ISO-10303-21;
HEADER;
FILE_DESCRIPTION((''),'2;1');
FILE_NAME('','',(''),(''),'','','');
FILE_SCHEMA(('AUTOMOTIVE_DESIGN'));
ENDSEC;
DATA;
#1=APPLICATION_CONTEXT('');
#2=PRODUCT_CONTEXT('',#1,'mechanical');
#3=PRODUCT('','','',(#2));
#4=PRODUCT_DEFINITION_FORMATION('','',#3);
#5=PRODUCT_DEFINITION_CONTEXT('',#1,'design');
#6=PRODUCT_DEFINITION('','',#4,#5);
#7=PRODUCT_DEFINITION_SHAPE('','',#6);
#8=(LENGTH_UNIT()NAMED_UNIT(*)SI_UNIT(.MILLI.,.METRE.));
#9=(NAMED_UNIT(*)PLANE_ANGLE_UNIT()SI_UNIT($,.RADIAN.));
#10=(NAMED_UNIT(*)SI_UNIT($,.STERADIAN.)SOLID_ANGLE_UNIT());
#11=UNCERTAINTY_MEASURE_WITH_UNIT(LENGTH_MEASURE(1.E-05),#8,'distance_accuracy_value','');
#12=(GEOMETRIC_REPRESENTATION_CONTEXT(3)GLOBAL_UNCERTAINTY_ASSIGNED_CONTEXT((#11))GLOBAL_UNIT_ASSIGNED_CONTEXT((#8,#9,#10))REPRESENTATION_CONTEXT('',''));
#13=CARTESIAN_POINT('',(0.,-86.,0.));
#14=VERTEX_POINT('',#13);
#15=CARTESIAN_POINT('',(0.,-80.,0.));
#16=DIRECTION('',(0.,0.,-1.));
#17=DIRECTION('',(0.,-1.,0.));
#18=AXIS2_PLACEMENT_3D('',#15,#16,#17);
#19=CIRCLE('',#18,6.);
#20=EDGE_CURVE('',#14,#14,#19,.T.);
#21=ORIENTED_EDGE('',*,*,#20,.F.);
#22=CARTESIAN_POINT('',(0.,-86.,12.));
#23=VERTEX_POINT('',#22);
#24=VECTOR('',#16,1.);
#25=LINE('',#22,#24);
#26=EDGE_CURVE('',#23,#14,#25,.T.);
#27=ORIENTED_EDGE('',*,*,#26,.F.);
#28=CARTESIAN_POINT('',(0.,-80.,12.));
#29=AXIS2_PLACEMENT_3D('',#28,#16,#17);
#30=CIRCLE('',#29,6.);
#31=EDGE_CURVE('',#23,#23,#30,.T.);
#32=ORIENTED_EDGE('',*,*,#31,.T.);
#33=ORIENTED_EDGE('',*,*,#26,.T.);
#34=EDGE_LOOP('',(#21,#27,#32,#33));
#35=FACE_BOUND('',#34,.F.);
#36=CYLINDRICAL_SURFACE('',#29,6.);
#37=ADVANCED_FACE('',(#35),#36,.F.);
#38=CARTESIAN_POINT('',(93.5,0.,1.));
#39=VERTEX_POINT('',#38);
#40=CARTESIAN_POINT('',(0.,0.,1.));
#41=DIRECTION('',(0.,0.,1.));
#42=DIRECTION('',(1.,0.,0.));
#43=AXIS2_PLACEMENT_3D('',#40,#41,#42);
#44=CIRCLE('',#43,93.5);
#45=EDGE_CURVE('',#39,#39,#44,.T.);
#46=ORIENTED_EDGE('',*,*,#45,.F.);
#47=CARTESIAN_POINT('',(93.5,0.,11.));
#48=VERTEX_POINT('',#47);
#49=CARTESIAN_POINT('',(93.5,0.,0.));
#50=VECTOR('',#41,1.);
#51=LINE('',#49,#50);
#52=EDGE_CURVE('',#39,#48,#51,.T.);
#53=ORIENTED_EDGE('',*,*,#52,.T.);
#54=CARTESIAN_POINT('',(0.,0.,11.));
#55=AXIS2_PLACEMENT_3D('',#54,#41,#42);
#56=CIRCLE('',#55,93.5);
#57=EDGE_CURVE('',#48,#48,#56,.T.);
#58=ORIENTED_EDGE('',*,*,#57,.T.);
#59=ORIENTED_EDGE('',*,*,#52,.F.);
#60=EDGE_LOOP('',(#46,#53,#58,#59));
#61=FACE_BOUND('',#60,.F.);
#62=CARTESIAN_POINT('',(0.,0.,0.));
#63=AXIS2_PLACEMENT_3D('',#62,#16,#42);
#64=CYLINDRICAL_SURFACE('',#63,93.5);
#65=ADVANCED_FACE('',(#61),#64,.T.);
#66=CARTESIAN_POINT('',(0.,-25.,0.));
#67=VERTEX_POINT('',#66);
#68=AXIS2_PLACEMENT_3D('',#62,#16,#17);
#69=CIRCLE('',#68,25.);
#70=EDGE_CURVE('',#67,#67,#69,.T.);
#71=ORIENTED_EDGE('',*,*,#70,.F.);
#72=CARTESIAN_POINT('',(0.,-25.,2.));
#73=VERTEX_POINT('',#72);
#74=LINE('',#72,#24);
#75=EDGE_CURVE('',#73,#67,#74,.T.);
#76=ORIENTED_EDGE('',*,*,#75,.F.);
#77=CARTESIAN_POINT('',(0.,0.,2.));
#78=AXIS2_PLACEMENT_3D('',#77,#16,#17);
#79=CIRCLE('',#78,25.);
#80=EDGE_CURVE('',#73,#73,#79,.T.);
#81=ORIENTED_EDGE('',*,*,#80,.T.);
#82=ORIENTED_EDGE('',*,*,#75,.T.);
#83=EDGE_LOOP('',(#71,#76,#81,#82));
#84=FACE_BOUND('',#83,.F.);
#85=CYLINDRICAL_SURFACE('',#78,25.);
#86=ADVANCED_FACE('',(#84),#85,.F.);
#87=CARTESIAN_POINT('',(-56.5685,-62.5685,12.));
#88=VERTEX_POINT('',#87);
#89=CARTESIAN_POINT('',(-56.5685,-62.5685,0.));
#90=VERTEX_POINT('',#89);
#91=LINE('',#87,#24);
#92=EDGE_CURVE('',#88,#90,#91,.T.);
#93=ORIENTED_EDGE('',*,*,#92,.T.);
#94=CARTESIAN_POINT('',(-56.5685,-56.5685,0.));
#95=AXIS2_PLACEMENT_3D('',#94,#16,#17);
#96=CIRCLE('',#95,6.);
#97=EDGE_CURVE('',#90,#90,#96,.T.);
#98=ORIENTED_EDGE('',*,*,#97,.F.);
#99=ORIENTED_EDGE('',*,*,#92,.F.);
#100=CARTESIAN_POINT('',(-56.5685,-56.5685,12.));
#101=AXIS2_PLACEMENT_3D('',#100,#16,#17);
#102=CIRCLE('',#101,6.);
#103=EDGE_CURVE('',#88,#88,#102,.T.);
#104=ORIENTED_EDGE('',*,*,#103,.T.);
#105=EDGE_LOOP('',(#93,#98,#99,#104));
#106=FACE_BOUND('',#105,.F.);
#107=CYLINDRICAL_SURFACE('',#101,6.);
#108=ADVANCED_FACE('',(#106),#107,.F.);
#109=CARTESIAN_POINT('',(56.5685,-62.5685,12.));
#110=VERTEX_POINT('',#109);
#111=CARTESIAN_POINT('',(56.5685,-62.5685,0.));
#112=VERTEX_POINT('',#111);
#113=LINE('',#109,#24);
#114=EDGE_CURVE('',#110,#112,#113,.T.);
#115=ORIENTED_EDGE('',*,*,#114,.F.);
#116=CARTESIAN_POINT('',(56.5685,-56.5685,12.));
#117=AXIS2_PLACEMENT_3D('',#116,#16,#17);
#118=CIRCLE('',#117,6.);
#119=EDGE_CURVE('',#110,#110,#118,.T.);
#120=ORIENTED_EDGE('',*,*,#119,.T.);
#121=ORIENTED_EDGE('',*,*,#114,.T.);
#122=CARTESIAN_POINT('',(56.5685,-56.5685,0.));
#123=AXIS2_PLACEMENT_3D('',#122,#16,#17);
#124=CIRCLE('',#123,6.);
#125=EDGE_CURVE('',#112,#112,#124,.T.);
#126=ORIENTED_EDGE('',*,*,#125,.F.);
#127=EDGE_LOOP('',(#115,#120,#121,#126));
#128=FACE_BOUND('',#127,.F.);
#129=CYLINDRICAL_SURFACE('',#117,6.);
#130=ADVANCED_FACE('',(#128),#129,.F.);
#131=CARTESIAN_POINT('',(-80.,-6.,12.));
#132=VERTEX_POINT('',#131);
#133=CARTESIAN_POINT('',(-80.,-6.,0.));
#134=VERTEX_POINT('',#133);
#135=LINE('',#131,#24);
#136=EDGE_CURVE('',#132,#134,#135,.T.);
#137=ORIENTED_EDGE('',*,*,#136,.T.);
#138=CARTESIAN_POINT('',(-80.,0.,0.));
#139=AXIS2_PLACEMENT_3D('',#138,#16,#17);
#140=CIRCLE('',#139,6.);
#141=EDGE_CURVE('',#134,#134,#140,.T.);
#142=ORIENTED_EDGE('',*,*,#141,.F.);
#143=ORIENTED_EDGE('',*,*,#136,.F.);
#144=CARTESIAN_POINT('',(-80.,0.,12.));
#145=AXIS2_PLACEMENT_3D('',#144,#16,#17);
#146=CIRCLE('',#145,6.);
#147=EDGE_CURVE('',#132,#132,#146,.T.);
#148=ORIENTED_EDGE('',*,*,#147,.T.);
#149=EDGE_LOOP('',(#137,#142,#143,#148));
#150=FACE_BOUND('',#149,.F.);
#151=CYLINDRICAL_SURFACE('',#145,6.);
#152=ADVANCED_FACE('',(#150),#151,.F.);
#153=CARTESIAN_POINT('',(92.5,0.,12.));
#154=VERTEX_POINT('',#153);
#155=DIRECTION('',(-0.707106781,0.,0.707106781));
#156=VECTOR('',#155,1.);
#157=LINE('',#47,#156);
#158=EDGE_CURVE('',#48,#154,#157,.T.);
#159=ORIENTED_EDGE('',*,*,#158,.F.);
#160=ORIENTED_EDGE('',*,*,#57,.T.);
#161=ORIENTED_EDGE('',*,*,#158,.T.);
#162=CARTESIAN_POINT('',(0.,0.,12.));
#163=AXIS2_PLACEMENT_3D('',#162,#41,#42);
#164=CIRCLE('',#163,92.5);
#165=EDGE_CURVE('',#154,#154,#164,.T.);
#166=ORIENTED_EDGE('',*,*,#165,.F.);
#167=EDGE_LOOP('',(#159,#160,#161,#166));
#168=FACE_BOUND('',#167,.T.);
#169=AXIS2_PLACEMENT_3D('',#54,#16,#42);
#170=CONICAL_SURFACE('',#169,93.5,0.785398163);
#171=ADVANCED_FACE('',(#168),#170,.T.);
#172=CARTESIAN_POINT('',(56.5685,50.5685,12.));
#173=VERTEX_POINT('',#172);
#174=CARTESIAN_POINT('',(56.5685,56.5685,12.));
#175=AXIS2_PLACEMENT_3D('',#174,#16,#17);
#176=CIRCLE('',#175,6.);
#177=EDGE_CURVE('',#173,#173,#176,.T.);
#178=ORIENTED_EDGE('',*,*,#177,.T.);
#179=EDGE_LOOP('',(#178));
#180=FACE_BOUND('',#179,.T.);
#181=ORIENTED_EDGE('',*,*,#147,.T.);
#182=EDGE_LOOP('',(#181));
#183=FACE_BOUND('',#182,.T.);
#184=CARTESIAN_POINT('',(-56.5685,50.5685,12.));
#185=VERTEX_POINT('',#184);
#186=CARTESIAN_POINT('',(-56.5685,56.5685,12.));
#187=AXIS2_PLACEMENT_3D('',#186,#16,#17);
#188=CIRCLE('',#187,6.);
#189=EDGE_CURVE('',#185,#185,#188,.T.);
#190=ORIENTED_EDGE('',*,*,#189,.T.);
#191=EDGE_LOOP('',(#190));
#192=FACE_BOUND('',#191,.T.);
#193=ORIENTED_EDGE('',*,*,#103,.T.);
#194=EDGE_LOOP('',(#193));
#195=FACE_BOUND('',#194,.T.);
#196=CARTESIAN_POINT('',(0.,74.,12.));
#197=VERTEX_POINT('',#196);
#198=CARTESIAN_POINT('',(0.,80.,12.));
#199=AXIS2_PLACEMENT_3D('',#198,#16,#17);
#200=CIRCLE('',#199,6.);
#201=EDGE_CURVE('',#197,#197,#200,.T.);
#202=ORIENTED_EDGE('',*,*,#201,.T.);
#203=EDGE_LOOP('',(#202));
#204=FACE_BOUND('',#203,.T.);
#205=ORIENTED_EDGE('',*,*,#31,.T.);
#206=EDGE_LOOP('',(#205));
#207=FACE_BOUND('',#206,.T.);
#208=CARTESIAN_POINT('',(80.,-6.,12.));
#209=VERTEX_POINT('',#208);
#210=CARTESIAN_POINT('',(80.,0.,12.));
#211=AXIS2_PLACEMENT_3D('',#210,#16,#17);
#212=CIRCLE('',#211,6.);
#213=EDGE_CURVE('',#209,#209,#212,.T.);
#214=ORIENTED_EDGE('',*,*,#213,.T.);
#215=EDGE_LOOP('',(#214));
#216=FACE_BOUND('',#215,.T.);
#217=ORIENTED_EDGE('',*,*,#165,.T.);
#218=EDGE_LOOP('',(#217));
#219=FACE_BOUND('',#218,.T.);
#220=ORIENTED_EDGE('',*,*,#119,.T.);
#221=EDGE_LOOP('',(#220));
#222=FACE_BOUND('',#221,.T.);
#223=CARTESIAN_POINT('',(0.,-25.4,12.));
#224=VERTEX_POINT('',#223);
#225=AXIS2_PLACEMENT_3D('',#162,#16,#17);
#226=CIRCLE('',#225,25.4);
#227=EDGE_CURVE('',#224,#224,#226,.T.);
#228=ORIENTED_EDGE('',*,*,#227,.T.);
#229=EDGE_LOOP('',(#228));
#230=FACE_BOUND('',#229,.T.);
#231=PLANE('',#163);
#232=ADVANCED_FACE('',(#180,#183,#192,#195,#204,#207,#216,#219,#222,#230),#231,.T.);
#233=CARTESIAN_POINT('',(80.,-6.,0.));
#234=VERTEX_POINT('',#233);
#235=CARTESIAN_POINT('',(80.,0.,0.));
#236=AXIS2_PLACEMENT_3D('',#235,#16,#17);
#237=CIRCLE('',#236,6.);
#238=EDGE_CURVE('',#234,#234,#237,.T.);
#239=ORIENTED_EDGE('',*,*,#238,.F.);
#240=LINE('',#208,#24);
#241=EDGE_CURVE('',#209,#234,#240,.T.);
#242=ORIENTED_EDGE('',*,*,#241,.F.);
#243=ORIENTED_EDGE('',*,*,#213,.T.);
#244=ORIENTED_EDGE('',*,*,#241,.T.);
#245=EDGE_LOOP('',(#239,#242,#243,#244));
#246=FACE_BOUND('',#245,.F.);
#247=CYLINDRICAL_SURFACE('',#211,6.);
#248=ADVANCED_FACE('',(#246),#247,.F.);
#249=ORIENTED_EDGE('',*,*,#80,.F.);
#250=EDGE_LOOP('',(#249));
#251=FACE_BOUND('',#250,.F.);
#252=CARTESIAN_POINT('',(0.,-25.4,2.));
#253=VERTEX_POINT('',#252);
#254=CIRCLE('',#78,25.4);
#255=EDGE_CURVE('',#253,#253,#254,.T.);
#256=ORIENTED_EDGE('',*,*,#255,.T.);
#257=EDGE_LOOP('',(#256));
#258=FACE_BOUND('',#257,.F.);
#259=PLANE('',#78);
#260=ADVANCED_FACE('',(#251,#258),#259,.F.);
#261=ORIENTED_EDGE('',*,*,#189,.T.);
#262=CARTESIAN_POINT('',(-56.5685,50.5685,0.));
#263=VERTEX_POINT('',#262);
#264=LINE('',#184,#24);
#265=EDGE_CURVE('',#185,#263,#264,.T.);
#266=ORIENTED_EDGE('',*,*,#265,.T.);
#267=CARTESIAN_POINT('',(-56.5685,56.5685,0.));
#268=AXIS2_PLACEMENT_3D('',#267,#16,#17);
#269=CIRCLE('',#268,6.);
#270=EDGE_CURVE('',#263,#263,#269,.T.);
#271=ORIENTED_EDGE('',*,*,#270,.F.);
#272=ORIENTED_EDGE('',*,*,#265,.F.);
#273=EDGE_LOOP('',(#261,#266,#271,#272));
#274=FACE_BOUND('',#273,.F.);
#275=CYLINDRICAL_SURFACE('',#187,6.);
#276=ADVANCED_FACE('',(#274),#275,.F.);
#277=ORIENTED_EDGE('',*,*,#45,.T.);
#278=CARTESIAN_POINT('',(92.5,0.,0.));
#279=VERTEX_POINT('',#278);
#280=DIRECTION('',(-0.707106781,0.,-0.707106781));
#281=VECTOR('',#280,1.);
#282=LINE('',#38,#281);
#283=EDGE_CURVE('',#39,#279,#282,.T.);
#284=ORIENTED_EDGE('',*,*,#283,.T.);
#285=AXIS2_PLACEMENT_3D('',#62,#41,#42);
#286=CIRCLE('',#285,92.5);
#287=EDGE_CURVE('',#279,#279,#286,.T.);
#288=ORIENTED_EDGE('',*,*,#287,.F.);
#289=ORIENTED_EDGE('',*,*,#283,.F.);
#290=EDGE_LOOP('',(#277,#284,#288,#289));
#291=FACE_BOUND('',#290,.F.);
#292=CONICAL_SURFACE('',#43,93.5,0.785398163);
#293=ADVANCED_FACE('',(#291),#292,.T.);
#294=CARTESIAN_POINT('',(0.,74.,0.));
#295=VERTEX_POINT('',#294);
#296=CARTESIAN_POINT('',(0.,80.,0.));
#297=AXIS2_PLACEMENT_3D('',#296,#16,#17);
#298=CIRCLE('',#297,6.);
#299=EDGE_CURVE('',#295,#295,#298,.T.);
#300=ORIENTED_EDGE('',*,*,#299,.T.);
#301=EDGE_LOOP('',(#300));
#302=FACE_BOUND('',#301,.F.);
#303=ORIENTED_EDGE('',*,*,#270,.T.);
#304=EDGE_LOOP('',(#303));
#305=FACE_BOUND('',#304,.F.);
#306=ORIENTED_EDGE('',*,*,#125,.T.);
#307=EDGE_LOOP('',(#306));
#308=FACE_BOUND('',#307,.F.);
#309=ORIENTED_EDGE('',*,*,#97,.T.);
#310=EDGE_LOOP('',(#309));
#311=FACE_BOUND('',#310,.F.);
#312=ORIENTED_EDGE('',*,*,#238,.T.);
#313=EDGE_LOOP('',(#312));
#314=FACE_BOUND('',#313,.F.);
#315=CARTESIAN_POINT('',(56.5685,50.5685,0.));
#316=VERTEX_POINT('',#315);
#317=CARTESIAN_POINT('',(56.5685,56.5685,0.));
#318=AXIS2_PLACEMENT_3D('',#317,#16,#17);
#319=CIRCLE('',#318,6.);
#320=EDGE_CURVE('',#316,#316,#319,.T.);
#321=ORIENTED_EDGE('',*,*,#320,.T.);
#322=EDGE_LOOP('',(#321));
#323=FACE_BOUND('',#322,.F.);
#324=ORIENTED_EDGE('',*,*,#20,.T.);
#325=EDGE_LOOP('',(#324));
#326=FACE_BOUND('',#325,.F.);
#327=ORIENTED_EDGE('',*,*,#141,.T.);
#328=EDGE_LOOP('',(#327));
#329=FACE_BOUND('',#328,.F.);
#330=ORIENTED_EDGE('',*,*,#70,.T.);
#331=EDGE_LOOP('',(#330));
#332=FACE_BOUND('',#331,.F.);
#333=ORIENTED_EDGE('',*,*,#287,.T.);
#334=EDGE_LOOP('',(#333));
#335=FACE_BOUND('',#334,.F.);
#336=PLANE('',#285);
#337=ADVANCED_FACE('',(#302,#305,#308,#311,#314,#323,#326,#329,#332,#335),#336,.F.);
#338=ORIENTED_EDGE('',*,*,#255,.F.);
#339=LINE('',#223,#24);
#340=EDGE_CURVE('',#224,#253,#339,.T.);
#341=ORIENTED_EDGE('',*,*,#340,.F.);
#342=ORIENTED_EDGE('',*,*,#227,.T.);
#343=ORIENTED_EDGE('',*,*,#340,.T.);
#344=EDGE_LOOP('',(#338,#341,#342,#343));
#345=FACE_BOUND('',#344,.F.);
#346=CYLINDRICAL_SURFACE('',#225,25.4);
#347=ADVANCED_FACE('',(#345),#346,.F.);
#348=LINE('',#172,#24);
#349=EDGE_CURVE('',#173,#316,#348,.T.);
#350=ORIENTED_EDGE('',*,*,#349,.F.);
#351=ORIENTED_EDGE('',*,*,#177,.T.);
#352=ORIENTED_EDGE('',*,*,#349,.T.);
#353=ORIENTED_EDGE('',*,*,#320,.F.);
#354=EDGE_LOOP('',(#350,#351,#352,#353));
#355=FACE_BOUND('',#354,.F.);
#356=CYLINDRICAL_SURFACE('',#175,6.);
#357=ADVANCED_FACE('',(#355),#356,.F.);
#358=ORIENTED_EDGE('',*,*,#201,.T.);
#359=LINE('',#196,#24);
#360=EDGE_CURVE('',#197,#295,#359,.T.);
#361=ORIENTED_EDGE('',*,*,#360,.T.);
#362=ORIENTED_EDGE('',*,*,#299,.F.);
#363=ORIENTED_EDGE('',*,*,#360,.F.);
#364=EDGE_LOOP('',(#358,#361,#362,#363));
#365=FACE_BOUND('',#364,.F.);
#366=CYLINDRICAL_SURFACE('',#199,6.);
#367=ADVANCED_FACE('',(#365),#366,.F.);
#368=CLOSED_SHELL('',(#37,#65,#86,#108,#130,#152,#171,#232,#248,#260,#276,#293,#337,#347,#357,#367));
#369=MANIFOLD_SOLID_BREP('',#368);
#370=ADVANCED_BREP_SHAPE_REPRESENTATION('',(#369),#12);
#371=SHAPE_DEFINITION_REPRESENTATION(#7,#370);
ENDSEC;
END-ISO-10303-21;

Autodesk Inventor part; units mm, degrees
ref_plane "YZ Plane" through (0, 0, 0) normal (1, 0, 0) x (0, 1, 0)
ref_plane "XZ Plane" through (0, 0, 0) normal (0, 1, 0) x (-1, 0, 0)
ref_plane "XY Plane" through (0, 0, 0) normal (0, 0, 1) x (1, 0, 0)
sketch "草圖1" plane through (0, 0, 0) normal (0, 0, 1) x (1, 0, 0)
  circle A0 centre (0, 0) radius 93.5
  dimension "d0" = 187
extrude "擠出1" add sketch "草圖1" along normal blind 12
hole "孔1" at (0, 0, 12) direction (0, 0, -1) diameter 50 end through all counterbore diameter 50.8 counterbore depth 10
sketch "草圖2" plane through (0, 0, 12) normal (0, 0, 1) x (1, 0, 0)
  circle A0 centre (0, 0) radius 80 construction
  line L0 (0, 0) -> (56.5685, 56.5685) construction
  line L1 (0, 0) -> (80, 0) construction
  point P0 (0, 80)
  point P1 (-80, 0)
  point P2 (0, -80)
  point P3 (-56.5685, 56.5685)
  point P4 (-56.5685, -56.5685)
  point P5 (56.5685, -56.5685)
  dimension "d12" = 160
  dimension "d13" = 45
hole "孔2" at (0, 80, 12) at (-80, 0, 12) at (80, 0, 12) at (0, -80, 12) at (56.5685, 56.5685, 12) at (-56.5685, 56.5685, 12) at (-56.5685, -56.5685, 12) at (56.5685, -56.5685, 12) direction (0, 0, -1) diameter 12 end through all
chamfer "倒角1" distance 1 angle 45 2 edges at (-93.5, 0, 12) (-93.5, 0, 0)
